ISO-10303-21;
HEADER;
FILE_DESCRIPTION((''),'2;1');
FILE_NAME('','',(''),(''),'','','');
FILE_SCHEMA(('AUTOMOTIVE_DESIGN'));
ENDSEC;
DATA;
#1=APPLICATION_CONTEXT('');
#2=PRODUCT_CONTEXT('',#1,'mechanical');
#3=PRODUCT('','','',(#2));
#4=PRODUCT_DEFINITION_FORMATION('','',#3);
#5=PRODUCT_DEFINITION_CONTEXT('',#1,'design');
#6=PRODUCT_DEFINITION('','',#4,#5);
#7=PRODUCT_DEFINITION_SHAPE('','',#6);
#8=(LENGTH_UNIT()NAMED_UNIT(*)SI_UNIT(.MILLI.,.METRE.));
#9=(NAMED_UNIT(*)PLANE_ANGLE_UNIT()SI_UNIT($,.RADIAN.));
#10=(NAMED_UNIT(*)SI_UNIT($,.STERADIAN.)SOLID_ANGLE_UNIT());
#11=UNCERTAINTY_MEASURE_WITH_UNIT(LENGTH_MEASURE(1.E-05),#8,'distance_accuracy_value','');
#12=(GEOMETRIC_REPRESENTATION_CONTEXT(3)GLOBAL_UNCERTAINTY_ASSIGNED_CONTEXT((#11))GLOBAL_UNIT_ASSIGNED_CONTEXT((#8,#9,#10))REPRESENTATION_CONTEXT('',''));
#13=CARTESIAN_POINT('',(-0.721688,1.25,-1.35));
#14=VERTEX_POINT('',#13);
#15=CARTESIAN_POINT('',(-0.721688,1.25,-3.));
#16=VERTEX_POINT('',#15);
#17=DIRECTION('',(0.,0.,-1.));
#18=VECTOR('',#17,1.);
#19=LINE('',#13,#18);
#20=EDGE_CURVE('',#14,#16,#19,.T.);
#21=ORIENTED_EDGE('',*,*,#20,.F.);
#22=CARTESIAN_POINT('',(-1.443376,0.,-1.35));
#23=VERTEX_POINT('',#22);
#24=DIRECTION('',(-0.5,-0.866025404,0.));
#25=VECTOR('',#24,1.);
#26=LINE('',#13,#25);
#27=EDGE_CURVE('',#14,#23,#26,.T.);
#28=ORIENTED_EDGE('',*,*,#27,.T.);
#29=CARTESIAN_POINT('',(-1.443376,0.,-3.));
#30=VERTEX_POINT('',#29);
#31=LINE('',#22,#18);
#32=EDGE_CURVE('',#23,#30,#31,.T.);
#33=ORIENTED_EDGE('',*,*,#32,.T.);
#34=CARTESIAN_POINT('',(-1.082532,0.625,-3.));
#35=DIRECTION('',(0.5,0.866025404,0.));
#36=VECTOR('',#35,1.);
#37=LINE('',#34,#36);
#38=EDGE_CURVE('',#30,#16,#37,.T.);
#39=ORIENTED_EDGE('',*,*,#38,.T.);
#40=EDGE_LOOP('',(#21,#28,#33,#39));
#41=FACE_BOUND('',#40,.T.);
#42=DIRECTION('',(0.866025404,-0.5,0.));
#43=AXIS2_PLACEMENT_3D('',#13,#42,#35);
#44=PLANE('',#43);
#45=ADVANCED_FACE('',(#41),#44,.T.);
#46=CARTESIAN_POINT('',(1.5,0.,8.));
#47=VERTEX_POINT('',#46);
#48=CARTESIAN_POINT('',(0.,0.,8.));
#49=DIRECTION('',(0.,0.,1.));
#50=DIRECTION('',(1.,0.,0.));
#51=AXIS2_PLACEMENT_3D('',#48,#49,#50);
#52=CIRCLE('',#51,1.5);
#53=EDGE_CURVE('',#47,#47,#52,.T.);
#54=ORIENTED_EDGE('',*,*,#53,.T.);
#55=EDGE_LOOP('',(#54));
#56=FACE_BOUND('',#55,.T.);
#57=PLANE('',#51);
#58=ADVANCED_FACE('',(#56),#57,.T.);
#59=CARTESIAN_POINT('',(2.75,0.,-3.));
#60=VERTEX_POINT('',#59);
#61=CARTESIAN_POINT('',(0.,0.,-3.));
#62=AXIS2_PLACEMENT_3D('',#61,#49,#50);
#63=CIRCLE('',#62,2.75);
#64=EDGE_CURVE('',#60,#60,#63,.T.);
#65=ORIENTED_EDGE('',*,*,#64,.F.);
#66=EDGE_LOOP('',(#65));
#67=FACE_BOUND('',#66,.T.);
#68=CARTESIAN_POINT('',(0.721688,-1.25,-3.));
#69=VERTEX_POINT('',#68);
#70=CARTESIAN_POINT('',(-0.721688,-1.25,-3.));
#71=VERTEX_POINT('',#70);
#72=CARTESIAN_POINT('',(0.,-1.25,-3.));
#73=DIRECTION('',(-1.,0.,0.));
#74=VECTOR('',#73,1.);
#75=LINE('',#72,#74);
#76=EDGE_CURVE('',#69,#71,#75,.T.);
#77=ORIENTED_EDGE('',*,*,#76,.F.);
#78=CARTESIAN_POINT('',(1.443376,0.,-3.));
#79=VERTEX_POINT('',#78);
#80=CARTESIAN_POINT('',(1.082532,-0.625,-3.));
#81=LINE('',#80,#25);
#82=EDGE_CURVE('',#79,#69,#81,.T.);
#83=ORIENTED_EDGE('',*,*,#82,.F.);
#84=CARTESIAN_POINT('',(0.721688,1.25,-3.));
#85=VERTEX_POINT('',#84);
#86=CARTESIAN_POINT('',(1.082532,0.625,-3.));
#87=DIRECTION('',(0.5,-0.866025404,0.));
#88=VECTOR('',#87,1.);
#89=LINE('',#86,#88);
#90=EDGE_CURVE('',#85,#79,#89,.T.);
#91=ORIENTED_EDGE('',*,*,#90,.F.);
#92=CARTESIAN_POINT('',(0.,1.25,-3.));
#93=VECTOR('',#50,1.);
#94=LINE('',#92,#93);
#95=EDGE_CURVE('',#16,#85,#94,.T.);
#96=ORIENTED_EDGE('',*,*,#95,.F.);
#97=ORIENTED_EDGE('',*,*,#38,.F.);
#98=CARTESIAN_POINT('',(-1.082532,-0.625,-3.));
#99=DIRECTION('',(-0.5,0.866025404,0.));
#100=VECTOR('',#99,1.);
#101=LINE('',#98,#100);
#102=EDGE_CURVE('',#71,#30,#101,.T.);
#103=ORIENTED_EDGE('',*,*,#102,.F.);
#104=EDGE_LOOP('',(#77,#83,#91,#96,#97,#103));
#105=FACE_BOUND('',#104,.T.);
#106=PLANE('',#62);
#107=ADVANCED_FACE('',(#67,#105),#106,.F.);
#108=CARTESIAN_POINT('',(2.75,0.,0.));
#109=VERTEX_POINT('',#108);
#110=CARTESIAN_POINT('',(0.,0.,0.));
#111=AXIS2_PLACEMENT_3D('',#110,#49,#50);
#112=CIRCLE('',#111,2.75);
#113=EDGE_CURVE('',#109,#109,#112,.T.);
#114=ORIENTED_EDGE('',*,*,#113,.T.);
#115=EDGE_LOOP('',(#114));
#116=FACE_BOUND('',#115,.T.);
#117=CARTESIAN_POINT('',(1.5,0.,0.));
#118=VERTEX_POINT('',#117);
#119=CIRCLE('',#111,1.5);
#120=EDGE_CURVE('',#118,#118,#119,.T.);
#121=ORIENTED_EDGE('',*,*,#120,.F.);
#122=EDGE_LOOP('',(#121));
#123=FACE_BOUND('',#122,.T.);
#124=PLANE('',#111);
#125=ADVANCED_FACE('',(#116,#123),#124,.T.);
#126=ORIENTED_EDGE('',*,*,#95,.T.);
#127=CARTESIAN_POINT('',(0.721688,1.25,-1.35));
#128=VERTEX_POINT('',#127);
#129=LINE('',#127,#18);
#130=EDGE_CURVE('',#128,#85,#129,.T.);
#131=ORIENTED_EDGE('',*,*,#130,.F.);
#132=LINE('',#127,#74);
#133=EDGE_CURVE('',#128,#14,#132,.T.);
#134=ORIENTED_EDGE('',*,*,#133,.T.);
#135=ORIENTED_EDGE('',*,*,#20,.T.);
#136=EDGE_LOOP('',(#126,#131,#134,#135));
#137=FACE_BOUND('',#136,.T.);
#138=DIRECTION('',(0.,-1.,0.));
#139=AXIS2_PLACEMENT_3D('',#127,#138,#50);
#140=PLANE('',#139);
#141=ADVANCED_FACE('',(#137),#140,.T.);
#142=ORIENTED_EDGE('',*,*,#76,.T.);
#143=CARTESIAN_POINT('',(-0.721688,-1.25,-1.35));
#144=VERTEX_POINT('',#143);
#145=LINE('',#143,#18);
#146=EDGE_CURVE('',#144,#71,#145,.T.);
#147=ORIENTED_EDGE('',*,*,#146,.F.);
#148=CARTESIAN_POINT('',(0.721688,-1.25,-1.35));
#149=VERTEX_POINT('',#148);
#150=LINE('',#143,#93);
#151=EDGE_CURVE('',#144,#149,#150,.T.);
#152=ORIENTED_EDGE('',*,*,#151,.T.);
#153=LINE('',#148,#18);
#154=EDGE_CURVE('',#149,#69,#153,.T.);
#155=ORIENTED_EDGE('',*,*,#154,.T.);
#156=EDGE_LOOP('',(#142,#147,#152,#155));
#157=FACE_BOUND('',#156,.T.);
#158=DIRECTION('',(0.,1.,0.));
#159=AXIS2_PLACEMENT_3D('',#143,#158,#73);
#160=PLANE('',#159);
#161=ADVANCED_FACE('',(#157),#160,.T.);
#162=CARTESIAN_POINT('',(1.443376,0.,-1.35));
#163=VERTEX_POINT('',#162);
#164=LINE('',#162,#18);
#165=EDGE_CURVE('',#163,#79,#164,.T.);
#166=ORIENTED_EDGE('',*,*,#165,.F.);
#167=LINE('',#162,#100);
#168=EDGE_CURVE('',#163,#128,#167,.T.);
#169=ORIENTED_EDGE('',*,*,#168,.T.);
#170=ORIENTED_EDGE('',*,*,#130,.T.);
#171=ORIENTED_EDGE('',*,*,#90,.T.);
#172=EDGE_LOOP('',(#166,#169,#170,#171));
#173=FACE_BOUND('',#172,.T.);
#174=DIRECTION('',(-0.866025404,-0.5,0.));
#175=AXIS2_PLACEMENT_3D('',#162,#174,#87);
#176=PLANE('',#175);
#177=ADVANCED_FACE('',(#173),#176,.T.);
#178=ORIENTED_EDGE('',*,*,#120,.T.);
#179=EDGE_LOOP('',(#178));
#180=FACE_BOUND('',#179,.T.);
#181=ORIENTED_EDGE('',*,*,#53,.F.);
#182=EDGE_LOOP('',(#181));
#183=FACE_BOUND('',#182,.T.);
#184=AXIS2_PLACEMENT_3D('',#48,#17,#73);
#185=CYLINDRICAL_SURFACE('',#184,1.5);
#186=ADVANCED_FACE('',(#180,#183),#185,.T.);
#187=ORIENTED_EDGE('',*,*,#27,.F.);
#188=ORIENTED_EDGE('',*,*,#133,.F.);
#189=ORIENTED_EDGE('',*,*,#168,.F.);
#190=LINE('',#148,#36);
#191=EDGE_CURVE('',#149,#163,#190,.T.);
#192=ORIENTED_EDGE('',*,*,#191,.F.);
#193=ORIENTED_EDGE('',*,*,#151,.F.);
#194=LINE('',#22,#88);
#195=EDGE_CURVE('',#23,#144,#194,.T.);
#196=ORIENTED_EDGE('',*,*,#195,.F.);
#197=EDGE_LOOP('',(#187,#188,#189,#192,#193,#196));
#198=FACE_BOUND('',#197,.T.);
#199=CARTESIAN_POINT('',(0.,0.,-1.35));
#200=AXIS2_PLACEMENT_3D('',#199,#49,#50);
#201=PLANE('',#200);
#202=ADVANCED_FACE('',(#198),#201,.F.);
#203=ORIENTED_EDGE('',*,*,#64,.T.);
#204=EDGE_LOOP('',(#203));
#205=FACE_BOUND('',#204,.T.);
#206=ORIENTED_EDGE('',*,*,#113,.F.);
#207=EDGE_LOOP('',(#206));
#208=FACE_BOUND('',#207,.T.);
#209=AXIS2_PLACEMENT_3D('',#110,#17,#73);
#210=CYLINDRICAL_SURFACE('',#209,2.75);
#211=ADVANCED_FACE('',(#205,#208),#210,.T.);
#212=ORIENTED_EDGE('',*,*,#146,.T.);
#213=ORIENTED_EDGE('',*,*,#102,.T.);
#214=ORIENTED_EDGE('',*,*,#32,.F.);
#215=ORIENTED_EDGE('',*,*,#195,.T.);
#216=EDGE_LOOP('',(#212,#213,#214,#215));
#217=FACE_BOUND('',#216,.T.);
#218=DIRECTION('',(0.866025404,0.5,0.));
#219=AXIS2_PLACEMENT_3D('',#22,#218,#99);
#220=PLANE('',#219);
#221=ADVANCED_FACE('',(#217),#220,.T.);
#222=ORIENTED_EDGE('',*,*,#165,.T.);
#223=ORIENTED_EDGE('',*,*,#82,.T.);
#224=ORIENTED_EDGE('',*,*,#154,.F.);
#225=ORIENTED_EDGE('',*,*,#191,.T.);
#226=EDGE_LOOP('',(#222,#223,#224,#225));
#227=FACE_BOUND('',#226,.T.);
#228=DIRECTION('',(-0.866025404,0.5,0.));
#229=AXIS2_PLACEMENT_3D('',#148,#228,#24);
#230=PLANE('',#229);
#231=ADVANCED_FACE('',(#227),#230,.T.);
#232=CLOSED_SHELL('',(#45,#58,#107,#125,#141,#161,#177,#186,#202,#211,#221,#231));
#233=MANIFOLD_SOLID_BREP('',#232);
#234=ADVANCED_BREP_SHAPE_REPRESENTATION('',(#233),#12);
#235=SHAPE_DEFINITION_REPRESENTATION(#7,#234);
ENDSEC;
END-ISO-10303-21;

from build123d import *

# Parameters (mm, degrees)
F_01_START                = -3
S01_HEAD_R                = 2.75
F_01_HEAD_DEPTH           = 3
S02_NOMINAL_SHANK_R       = 1.5
F_02_NOMINAL_SHANK_DEPTH  = 8
F_03_START                = -3.1
F_03_HEX_KEY_SOCKET_DEPTH = 1.75


with BuildPart() as part:
    # S01 - Head → 01 - Head (new body)
    with BuildSketch(Plane.XY.offset(F_01_START)):
        Circle(S01_HEAD_R)
    extrude(amount=F_01_HEAD_DEPTH)

    # S02 - Nominal shank → 02 - Nominal shank (add)
    with BuildSketch(Plane.XY):
        Circle(S02_NOMINAL_SHANK_R)
    extrude(amount=F_02_NOMINAL_SHANK_DEPTH)

    # S03 - Hex key socket → 03 - Hex key socket (cut)
    with BuildSketch(Plane.XY.offset(F_03_START)):
        Polygon((1.443375673, 0), (0.721687836, 1.25), (-0.721687836, 1.25), (-1.443375673, 0), (-0.721687836, -1.25), (0.721687836, -1.25), align=None)
    extrude(amount=F_03_HEX_KEY_SOCKET_DEPTH, mode=Mode.SUBTRACT)


solid = part.part
